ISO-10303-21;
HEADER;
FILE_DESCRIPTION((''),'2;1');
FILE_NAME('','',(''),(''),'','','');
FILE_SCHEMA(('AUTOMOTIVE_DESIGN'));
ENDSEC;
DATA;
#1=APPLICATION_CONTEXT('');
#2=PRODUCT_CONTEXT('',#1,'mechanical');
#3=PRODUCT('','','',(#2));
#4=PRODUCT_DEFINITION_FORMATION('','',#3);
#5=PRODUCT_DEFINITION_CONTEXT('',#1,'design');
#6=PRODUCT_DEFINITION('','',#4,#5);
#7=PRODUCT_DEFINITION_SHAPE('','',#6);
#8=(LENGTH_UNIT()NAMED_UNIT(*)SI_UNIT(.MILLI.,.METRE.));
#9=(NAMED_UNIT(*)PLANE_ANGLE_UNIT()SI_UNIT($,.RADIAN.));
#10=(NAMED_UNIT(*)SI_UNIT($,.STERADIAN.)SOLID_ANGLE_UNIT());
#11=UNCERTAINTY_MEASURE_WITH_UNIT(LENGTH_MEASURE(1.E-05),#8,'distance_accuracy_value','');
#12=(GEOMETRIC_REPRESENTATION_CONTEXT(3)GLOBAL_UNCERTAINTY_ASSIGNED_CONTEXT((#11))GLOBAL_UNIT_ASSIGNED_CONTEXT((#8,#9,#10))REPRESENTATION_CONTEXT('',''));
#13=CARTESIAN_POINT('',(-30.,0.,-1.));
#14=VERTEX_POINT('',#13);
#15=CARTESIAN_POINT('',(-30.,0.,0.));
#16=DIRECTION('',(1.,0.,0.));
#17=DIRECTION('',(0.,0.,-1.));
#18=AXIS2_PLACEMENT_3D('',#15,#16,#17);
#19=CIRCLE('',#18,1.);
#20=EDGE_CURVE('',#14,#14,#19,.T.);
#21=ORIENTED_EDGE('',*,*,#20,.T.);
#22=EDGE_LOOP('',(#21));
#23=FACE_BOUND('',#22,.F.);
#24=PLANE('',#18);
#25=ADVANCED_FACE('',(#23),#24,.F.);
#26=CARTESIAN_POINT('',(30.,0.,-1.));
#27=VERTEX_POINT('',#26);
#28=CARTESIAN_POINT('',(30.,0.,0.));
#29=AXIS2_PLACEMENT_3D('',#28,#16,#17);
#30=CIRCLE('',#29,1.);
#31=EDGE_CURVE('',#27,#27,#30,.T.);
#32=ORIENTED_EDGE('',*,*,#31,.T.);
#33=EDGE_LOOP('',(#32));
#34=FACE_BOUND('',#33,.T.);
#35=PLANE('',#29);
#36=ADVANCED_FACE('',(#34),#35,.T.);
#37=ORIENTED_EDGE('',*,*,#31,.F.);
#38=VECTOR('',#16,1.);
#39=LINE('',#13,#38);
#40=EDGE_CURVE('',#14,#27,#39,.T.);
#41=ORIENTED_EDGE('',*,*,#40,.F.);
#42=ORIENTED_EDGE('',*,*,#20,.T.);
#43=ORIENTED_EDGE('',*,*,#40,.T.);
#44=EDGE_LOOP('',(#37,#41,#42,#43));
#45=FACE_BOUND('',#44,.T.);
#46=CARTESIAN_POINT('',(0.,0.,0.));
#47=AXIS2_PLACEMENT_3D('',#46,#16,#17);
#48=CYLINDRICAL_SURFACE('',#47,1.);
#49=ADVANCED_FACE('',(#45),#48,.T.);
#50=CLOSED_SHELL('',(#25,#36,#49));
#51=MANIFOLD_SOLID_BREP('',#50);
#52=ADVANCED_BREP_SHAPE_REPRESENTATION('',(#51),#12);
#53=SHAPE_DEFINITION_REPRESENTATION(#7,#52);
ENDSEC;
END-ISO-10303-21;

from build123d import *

# Parameters (mm, degrees)
BOSS_EXTRUDE1_DEPTH      = 30
BOSS_EXTRUDE1_DEPTH_BACK = 30
SKETCH1_R                = 1


with BuildPart() as part:
    # Sketch1 → Boss-Extrude1 (new, two sides: drawn at the far end of the back side and taken through both)
    with BuildSketch(Plane(origin=(0, 0, 0), x_dir=(0, 0, -1), z_dir=(1, 0, 0)).offset(-BOSS_EXTRUDE1_DEPTH_BACK)):
        Circle(SKETCH1_R)
    extrude(amount=BOSS_EXTRUDE1_DEPTH + BOSS_EXTRUDE1_DEPTH_BACK)


solid = part.part
